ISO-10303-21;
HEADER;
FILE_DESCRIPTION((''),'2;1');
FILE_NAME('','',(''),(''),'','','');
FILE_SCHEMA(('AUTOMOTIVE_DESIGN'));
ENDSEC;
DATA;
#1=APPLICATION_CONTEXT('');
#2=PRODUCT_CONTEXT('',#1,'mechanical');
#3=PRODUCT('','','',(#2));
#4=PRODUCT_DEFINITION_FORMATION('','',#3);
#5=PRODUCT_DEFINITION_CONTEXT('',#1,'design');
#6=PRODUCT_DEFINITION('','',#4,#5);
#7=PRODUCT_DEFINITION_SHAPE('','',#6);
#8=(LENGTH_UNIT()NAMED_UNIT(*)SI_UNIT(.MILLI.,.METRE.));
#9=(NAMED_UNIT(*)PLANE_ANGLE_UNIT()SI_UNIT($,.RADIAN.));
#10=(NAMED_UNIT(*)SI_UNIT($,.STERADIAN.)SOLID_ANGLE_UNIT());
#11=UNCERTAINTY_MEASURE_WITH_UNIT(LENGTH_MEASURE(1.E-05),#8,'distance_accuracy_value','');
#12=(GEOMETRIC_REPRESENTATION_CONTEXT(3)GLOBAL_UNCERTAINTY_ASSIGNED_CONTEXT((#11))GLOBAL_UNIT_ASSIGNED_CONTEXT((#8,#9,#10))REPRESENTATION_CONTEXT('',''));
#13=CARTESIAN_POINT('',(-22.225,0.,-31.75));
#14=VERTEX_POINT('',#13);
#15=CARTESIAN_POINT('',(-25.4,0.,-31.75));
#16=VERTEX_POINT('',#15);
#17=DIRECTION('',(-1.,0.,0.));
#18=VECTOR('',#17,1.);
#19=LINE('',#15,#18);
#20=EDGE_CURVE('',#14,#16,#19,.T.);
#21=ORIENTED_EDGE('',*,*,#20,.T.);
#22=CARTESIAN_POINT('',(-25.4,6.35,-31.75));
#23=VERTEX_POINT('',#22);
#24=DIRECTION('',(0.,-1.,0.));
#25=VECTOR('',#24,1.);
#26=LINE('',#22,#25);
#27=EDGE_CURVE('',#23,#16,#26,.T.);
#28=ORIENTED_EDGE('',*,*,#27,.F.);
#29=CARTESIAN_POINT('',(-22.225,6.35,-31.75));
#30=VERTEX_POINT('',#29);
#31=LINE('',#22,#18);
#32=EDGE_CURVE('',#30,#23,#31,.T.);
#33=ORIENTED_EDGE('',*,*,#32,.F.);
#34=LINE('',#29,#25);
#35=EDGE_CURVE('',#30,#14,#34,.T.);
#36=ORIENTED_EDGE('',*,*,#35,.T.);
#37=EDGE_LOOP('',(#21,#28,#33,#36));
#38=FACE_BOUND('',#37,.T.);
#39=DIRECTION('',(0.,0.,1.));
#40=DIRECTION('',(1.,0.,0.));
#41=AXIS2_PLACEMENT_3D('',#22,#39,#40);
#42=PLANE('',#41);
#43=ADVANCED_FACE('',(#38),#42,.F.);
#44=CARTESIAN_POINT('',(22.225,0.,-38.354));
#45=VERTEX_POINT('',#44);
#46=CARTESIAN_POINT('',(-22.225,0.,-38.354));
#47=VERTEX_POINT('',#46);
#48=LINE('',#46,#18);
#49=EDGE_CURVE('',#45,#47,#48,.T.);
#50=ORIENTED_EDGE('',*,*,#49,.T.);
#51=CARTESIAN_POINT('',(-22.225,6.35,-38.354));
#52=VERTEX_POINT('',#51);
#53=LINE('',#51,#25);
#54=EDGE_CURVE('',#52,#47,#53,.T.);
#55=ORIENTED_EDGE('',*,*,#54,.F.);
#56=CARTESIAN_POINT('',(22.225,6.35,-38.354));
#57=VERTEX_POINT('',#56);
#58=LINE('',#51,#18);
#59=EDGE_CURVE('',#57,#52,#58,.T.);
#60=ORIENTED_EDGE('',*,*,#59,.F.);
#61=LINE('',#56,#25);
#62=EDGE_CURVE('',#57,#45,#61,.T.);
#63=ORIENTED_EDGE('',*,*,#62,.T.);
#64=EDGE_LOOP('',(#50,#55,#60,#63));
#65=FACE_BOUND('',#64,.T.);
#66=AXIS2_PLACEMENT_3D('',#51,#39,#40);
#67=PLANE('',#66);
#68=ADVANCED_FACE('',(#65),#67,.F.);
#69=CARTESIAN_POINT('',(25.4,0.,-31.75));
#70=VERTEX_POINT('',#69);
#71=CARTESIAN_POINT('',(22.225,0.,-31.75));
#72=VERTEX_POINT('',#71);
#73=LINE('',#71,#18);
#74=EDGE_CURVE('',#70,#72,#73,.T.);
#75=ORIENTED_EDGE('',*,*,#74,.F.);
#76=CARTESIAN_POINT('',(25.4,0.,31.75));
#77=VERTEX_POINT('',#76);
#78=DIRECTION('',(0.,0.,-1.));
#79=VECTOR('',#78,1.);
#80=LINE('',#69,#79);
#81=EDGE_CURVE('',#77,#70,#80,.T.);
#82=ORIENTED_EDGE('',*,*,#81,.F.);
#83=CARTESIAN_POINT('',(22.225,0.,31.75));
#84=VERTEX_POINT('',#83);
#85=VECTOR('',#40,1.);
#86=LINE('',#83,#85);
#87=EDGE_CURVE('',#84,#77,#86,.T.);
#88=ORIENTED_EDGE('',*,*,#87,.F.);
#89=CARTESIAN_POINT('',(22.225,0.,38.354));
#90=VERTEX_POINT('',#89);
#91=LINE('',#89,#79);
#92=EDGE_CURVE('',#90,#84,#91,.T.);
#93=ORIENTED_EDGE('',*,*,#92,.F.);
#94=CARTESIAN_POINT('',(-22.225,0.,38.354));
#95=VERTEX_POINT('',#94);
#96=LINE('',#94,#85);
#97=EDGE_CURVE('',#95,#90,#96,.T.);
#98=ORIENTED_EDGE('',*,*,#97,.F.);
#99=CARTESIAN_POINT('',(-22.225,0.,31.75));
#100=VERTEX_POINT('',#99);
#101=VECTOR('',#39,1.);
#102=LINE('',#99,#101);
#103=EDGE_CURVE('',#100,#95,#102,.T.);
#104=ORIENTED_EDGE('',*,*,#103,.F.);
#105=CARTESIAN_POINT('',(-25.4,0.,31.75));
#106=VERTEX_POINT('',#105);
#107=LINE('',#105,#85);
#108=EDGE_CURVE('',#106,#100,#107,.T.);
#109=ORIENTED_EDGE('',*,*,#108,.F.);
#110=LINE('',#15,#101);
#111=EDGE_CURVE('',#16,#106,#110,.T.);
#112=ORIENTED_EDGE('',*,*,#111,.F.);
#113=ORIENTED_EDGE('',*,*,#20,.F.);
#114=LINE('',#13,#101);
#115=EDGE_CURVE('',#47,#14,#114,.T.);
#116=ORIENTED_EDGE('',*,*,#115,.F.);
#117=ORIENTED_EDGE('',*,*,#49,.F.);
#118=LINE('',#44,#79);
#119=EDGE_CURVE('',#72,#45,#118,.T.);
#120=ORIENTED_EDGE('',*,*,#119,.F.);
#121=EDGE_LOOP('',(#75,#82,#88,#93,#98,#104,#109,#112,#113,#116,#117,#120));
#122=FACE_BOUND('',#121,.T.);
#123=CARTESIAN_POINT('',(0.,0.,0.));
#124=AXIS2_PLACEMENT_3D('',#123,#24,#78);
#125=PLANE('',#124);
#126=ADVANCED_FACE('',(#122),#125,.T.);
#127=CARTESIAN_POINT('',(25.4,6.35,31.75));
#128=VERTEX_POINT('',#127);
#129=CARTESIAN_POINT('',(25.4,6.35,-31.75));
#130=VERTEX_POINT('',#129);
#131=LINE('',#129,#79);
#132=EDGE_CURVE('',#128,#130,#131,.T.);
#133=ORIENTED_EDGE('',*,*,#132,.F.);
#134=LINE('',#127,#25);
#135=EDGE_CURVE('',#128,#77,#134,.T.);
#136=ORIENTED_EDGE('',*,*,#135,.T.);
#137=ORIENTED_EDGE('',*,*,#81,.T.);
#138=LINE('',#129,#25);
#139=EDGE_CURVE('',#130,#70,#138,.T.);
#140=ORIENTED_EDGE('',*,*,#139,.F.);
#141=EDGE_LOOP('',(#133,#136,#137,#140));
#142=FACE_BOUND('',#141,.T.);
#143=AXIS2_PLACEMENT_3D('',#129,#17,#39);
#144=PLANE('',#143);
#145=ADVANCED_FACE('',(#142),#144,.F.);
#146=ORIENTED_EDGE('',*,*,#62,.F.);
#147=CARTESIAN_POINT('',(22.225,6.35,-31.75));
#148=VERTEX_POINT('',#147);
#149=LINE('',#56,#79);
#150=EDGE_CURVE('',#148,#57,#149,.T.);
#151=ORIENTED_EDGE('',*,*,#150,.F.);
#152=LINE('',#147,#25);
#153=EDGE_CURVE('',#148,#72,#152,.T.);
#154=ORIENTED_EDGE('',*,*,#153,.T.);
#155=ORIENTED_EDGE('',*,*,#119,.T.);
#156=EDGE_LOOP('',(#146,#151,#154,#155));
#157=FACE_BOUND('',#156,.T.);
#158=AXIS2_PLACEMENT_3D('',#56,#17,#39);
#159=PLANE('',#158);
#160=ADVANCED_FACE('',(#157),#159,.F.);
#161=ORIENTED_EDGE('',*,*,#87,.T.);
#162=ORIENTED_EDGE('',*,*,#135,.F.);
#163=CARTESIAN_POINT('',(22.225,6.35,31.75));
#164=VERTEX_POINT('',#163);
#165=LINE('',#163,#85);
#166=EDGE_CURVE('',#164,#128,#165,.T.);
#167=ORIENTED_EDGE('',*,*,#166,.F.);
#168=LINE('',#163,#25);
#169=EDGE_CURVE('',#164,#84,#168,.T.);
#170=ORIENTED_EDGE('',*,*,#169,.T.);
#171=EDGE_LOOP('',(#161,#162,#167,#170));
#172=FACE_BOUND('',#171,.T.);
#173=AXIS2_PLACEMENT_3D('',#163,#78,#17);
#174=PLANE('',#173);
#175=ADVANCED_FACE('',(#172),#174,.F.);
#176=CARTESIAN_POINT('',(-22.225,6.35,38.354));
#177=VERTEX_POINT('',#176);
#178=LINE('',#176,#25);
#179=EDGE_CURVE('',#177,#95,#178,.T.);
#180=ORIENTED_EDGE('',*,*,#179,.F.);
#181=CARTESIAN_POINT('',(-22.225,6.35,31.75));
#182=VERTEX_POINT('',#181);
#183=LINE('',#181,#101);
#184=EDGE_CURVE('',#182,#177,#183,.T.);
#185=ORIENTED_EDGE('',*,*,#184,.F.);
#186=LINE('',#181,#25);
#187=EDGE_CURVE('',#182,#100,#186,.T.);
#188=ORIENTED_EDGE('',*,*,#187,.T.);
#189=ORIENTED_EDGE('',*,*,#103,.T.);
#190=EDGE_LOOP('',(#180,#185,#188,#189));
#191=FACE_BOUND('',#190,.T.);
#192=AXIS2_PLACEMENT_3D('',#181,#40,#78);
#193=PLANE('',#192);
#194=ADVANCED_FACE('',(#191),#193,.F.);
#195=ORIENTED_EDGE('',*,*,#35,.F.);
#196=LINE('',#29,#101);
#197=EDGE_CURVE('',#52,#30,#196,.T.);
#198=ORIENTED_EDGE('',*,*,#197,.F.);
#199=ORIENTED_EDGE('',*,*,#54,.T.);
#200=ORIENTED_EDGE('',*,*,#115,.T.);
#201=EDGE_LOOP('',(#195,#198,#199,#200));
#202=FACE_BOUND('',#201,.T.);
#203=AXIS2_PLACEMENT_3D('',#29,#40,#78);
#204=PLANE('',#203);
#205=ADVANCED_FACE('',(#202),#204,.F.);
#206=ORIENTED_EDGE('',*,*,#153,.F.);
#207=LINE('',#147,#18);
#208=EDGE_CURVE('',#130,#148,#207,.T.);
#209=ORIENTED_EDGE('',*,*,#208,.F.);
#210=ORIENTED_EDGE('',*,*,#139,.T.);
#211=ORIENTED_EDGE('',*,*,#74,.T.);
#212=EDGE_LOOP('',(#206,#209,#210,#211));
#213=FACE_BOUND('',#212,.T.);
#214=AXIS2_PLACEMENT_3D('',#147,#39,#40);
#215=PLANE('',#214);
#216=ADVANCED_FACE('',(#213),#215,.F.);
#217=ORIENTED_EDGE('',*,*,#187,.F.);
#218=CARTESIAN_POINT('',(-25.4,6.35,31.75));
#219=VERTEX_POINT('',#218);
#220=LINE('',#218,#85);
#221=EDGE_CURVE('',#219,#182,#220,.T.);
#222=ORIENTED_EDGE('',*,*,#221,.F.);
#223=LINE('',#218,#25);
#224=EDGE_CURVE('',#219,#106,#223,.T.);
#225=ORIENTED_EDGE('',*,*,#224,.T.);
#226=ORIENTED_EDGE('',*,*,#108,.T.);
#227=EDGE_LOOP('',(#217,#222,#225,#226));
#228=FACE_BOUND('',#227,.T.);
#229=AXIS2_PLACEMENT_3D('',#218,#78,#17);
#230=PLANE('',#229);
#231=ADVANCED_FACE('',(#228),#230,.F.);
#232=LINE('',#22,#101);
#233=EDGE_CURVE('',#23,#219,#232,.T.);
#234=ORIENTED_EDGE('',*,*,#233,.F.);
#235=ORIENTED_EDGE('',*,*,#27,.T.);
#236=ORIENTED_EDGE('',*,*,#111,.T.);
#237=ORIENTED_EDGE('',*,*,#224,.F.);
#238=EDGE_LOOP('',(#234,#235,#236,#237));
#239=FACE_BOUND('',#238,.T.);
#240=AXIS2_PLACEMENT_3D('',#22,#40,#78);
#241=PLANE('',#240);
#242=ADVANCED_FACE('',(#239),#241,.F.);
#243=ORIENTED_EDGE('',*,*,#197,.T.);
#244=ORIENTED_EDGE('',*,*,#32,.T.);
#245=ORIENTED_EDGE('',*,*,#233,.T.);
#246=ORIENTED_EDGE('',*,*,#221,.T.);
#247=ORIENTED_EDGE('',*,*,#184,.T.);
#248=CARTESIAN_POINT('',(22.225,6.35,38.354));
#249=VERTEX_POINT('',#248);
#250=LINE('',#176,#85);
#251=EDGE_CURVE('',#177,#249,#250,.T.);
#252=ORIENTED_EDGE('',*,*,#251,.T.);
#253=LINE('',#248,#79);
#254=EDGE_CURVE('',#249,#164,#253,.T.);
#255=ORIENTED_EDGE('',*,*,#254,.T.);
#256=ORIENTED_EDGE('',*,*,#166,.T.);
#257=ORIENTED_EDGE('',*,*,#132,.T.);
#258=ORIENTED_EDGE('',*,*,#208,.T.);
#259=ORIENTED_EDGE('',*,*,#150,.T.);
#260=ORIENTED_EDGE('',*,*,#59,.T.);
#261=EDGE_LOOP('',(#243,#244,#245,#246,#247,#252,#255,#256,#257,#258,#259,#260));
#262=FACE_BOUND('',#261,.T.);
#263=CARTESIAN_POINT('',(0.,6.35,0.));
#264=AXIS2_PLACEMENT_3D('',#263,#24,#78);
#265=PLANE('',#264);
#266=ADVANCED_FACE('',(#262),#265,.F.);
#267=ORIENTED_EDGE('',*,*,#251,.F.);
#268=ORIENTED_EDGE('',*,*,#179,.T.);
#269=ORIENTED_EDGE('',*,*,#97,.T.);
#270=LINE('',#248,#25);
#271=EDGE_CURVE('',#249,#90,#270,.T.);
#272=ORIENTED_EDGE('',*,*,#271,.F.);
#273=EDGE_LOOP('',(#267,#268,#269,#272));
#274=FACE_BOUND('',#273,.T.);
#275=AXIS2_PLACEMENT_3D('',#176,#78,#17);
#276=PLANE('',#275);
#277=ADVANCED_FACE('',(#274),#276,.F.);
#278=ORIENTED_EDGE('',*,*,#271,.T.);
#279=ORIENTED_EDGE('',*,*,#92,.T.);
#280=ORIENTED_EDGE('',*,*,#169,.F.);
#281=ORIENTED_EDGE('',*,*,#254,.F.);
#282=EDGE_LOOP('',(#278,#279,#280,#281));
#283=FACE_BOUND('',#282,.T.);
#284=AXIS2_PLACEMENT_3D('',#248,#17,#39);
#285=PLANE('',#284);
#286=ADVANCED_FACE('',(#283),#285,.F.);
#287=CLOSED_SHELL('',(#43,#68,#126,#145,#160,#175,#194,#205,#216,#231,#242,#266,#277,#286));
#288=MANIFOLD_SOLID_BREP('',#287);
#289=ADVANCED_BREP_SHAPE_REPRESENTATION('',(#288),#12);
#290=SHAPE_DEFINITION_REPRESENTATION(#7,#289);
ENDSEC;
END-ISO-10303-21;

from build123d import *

# Parameters (mm, degrees)
BOSS_EXTRUDE1_DEPTH = 6.35


with BuildPart() as part:
    # Sketch2 → Boss-Extrude1 (new body)
    with BuildSketch(Plane(origin=(0, 0, 0), x_dir=(1, 0, 0), z_dir=(0, 1, 0))):
        Polygon((-22.225, 31.75), (-22.225, 38.354), (22.225, 38.354), (22.225, 31.75), (25.4, 31.75), (25.4, -31.75), (22.225, -31.75), (22.225, -38.354), (-22.225, -38.354), (-22.225, -31.75), (-25.4, -31.75), (-25.4, 31.75), align=None)
    extrude(amount=BOSS_EXTRUDE1_DEPTH)


solid = part.part
